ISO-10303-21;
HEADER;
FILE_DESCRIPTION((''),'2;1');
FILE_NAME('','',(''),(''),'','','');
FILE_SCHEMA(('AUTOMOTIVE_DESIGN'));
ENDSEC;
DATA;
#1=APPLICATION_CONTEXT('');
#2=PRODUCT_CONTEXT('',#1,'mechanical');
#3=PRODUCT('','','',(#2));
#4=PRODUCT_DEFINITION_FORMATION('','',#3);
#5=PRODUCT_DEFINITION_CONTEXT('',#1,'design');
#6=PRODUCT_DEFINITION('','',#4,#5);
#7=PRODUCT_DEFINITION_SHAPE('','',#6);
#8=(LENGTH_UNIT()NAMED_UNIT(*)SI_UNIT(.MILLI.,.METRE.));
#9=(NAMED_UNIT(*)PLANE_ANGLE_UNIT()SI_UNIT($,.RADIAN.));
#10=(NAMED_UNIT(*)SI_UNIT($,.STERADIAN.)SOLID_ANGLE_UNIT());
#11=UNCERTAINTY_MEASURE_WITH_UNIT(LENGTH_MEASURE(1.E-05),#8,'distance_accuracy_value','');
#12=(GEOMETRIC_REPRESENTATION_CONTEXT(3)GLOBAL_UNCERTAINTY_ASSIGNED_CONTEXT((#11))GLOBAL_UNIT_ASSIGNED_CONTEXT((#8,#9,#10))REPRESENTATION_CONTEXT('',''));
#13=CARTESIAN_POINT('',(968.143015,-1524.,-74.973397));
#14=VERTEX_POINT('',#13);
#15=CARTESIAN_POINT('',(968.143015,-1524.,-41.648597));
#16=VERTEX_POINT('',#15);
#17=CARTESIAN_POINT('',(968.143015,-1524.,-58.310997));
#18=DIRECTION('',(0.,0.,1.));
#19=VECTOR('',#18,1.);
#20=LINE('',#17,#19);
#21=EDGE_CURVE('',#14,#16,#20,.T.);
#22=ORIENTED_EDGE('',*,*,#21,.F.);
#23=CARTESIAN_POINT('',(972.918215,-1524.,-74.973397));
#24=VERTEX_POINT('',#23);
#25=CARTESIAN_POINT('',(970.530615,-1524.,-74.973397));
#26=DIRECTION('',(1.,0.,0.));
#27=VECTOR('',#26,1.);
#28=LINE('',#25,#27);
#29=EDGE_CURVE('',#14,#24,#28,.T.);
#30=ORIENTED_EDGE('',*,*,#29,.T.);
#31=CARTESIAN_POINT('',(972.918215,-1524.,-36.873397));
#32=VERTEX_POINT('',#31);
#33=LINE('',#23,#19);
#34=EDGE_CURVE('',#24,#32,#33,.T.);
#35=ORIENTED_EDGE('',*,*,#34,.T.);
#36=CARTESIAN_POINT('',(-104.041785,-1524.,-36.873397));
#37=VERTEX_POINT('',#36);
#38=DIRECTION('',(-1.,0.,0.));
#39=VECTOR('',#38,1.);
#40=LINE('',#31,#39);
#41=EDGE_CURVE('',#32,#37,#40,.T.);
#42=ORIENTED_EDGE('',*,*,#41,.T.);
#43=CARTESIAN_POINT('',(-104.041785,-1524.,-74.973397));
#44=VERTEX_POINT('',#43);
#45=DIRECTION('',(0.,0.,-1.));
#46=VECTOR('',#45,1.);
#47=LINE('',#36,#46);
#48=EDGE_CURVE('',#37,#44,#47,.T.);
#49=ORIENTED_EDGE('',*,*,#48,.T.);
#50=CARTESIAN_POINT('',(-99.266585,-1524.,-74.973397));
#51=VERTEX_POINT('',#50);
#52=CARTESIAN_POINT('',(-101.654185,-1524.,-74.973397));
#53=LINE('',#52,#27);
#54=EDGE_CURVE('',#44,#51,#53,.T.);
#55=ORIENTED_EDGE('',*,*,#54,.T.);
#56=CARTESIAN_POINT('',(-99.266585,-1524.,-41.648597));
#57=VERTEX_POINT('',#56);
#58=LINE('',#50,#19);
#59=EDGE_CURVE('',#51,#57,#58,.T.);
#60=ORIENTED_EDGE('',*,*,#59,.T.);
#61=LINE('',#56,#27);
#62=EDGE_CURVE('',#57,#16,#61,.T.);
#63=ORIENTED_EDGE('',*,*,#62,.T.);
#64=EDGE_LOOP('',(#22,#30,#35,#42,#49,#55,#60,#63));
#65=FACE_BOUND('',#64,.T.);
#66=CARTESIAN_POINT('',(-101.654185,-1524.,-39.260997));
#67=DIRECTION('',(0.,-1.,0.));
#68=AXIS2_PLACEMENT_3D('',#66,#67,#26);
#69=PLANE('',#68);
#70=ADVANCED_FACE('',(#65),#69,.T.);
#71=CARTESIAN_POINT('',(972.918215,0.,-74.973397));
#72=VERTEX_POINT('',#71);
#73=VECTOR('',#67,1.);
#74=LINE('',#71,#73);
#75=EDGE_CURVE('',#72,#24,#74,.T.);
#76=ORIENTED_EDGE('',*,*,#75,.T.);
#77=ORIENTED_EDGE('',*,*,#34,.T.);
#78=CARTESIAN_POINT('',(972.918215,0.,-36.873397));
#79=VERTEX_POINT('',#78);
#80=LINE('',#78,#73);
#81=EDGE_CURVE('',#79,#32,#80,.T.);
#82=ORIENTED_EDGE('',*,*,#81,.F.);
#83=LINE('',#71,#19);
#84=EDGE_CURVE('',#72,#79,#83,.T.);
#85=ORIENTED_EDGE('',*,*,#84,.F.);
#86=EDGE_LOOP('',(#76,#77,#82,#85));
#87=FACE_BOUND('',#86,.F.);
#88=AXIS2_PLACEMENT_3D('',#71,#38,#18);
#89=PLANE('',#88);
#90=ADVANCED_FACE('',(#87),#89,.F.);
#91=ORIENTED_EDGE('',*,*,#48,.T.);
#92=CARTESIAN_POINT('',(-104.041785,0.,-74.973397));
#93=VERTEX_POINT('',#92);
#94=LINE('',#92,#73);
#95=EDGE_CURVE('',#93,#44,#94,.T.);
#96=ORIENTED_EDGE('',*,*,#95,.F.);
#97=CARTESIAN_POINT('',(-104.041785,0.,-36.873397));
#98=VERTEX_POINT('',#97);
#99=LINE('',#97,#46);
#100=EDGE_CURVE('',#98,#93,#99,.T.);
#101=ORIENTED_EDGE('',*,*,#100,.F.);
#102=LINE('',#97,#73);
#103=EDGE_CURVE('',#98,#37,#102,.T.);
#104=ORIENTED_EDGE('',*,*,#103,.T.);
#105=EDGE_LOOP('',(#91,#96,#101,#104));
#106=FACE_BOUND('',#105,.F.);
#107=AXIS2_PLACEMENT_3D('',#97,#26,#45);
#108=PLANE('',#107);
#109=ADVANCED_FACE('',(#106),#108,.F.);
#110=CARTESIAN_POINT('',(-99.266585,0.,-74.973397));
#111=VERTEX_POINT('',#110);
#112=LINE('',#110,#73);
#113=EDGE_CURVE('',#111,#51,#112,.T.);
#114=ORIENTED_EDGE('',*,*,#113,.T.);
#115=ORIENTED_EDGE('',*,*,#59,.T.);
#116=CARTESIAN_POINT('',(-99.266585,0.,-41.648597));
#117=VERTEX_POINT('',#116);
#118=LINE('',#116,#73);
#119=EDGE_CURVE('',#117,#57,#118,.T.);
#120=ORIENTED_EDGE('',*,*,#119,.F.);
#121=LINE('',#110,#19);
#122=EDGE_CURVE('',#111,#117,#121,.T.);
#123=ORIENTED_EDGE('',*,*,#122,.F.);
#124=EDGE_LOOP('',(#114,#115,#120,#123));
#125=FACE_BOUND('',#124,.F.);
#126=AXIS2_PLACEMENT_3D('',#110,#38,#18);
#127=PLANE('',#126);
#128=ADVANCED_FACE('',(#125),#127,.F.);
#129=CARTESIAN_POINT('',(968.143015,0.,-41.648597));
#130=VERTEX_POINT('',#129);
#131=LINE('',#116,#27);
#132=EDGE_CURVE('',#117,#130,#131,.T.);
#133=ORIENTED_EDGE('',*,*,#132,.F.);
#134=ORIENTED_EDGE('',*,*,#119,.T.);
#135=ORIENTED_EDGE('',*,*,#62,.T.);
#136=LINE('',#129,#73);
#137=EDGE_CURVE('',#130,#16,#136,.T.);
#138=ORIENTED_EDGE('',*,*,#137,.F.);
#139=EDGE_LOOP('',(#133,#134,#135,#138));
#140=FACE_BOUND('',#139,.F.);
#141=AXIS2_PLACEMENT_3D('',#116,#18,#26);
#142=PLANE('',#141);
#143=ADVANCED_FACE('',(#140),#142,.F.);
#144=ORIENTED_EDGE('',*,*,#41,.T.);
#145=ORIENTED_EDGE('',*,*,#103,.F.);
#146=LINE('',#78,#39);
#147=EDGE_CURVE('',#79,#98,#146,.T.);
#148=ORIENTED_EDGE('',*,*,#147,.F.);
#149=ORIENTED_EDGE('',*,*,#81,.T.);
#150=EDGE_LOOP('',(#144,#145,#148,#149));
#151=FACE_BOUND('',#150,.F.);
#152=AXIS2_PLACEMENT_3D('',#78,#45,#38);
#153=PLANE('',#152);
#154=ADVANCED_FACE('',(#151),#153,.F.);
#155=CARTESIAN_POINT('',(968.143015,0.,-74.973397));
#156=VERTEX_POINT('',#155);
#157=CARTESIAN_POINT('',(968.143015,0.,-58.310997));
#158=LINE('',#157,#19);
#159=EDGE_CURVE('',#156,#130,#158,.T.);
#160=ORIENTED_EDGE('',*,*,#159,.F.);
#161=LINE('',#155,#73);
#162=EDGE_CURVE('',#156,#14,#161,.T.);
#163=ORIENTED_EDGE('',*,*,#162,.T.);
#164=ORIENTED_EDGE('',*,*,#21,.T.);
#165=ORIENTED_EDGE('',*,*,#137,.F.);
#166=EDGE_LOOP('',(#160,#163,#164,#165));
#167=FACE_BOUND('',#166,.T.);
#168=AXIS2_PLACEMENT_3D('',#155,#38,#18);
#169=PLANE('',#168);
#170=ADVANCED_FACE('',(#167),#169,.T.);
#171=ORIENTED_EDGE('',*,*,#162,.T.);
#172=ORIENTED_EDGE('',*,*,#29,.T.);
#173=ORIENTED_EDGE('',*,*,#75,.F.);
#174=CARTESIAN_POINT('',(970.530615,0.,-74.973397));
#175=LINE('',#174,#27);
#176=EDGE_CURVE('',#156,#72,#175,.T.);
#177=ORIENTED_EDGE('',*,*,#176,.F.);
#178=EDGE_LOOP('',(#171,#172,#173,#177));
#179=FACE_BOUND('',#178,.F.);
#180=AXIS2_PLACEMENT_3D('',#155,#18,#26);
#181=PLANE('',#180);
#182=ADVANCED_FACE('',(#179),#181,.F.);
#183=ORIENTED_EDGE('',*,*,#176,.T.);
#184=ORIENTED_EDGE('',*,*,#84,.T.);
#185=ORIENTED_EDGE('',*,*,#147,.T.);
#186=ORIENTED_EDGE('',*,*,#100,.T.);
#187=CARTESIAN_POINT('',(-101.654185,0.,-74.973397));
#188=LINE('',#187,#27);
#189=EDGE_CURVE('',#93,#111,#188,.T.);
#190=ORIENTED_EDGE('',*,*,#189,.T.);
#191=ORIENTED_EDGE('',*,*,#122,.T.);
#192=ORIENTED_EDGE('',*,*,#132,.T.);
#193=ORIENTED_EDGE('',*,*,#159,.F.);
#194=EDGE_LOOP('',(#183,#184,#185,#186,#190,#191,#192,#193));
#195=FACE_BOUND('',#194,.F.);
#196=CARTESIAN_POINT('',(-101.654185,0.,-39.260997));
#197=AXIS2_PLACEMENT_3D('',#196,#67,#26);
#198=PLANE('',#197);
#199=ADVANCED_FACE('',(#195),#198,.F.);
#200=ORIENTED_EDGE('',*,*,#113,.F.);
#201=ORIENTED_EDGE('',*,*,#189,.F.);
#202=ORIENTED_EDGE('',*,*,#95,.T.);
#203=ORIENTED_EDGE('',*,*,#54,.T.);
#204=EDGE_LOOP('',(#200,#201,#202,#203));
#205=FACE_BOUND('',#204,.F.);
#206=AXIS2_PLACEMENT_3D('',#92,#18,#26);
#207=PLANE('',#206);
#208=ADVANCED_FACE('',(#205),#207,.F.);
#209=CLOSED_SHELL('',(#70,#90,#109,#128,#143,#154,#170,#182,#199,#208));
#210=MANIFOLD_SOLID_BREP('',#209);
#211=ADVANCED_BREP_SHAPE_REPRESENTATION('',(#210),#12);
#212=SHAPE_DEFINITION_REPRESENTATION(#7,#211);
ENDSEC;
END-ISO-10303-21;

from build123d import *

# Parameters (mm, degrees)
F0_W     = 4.7752
F0_H     = 4.7752
F0_H_2   = 33.3248
F0_W_2   = 1067.4096
F1_DEPTH = 1524


with BuildPart() as f1:
    # F0 (on Front) → F1 (new body)
    with BuildSketch(Plane.XZ):
        with Locations((-101.654185, -39.260997)):
            Rectangle(F0_W, F0_H)
        with Locations((-101.654185, -58.310997)):
            Rectangle(F0_W, F0_H_2)
        with Locations((434.438215, -39.260997)):
            Rectangle(F0_W_2, F0_H)
        with Locations((970.530615, -39.260997)):
            Rectangle(F0_W, F0_H)
        with Locations((970.530615, -58.310997)):
            Rectangle(F0_W, F0_H_2)
    extrude(amount=F1_DEPTH)


solid = f1.part
